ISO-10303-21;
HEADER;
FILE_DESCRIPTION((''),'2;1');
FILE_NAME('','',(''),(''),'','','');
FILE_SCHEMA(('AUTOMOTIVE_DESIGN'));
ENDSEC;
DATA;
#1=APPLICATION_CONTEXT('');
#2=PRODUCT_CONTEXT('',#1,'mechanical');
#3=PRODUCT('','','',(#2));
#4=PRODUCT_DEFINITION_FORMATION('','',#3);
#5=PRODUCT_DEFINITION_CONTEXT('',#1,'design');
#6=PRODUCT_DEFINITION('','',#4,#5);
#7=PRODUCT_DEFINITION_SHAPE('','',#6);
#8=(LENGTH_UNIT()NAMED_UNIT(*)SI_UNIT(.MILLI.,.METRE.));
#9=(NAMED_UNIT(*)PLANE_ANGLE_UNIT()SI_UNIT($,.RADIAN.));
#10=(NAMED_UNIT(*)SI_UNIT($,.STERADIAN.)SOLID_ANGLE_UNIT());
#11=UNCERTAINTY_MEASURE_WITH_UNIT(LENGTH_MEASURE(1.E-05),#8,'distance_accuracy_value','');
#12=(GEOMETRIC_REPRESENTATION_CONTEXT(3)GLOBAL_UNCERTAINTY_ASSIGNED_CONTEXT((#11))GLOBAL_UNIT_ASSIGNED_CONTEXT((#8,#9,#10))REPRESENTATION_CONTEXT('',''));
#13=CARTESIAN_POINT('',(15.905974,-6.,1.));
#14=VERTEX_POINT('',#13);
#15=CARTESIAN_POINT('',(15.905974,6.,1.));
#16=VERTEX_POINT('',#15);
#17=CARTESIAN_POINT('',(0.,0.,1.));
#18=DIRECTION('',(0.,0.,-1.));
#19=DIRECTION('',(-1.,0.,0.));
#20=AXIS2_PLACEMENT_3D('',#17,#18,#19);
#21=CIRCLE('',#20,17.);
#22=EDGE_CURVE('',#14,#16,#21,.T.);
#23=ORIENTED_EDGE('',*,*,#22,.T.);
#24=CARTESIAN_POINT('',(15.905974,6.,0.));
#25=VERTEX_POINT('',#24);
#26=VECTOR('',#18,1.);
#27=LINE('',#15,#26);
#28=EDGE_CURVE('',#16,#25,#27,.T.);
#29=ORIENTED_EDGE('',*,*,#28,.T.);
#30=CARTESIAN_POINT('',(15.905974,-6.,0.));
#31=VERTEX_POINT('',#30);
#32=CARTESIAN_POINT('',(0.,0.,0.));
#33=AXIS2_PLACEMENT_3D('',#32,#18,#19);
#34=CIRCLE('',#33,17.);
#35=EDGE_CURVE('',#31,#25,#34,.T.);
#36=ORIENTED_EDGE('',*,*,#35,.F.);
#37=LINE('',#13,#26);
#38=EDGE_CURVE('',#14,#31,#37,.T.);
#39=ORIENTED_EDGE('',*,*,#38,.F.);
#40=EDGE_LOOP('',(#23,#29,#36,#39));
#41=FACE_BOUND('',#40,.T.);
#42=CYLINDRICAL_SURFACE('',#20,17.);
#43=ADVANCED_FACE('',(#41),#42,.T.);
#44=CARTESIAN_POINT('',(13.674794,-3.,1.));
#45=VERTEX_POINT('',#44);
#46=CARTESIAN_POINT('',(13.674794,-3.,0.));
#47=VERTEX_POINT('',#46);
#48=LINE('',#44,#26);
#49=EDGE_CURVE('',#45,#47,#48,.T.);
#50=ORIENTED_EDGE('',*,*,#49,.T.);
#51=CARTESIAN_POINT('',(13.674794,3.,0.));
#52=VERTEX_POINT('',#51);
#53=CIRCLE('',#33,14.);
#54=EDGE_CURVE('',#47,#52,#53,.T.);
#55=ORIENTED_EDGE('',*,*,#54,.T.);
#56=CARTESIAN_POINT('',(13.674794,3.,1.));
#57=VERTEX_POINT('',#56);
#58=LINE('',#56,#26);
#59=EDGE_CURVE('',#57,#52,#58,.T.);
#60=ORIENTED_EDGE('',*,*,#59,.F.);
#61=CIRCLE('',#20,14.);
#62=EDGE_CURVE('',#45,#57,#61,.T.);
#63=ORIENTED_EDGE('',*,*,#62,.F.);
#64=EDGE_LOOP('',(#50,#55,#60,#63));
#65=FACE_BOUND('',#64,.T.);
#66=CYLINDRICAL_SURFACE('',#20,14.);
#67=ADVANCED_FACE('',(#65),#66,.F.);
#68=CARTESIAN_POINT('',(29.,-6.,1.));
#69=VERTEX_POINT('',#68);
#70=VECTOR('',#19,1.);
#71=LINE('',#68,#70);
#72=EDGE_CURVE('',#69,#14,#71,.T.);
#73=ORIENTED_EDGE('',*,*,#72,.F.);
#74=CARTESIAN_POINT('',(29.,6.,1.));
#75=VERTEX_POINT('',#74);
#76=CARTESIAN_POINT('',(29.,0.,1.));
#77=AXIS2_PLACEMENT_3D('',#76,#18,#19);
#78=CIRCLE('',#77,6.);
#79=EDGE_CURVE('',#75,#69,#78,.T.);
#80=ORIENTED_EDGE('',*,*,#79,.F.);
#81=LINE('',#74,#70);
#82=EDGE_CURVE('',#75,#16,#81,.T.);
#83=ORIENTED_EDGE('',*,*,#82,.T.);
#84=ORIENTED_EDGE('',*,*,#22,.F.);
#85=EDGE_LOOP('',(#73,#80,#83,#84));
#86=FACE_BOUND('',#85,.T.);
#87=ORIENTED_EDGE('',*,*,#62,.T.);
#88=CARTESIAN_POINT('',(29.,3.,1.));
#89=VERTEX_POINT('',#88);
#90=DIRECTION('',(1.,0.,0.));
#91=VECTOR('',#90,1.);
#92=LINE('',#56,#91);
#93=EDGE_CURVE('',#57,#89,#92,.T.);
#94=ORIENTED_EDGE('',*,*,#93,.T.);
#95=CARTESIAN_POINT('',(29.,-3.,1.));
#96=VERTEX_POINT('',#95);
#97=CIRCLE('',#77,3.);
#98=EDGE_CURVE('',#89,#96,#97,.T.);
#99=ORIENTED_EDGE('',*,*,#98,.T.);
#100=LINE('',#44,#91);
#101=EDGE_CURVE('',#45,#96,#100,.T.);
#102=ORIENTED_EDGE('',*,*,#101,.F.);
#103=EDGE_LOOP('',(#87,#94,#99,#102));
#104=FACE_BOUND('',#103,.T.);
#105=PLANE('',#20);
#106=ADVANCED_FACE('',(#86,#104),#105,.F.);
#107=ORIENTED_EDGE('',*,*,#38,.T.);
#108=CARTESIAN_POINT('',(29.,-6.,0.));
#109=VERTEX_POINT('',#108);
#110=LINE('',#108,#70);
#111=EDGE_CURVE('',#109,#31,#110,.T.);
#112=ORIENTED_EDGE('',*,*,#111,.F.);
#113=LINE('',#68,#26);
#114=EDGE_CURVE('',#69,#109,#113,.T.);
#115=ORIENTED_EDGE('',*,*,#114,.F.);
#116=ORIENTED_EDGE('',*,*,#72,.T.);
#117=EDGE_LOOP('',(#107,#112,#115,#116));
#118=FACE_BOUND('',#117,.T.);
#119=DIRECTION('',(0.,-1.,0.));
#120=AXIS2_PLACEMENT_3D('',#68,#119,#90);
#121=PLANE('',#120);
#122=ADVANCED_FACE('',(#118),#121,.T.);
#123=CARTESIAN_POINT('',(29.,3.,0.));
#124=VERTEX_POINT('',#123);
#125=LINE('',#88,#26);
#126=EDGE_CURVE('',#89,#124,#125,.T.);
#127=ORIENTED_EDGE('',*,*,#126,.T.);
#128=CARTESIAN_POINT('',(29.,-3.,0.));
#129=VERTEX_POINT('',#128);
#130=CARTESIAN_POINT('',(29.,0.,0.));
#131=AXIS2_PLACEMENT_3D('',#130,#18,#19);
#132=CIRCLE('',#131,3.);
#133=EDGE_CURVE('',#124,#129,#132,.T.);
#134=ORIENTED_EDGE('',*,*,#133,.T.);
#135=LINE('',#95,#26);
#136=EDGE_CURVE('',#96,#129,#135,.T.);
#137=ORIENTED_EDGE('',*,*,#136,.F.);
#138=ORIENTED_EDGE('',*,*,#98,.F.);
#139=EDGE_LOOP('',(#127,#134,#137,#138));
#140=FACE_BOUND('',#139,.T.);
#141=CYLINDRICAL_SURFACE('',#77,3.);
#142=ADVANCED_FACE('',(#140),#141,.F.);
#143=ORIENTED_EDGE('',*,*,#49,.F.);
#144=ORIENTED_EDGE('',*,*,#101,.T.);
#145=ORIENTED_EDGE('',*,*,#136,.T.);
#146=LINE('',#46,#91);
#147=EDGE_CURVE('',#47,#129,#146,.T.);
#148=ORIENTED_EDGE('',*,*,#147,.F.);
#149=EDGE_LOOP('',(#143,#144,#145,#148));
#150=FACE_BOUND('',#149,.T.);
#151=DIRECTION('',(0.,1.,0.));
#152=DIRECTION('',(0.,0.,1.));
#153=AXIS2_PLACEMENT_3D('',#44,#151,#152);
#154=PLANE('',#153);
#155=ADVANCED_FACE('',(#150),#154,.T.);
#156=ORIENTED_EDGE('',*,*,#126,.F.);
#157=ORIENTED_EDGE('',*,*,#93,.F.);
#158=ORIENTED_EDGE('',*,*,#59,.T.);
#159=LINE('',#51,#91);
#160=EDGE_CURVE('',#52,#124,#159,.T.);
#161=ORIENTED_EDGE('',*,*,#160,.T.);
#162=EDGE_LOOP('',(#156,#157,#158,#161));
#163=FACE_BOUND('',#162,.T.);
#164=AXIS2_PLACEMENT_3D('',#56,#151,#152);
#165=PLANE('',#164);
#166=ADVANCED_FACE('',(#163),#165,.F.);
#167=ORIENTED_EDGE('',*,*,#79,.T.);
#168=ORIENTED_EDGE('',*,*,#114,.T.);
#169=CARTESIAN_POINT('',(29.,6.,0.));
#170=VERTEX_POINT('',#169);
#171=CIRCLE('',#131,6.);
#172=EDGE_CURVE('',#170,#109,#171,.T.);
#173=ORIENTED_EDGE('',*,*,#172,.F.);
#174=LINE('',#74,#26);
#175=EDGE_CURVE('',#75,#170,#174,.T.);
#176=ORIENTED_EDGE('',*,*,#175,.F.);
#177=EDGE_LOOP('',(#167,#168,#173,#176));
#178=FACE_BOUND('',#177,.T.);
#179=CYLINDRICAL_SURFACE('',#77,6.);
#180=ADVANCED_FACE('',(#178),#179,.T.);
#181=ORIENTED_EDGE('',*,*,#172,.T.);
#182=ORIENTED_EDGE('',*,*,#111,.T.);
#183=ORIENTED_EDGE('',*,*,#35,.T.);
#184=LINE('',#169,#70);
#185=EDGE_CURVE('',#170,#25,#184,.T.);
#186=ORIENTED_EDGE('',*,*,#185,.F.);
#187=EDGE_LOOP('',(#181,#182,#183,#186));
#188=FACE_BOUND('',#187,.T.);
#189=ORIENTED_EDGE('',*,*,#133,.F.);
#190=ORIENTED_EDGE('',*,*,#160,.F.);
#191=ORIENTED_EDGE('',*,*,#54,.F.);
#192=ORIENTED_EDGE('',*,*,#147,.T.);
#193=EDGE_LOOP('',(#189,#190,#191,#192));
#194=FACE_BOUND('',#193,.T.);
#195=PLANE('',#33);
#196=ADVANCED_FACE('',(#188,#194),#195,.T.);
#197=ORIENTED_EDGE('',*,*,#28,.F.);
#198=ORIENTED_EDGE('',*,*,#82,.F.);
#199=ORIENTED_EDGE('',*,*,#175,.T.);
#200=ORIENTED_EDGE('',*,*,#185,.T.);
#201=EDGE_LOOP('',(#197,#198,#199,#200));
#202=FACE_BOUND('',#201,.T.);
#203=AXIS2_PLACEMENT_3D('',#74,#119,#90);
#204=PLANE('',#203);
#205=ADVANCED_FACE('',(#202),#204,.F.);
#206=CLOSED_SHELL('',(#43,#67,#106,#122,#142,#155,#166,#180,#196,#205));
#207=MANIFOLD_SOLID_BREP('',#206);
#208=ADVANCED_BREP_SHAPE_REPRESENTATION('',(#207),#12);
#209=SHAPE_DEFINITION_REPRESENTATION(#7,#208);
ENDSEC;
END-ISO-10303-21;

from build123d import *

# Parameters (mm, degrees)
BOSS_EXTRUDE1_DEPTH = 1


with BuildPart() as part:
    # Sketch1 → Boss-Extrude1 (new body)
    with BuildSketch(Plane.XY):
        with BuildLine():
            Line((29, 6), (15.905973721, 6))
            ThreePointArc((15.905973721, 6), (-17, 0), (15.905973721, -6))
            Line((15.905973721, -6), (29, -6))
            ThreePointArc((29, -6), (35, 0), (29, 6))
        make_face()
        with BuildLine():
            Line((13.674794331, 3), (29, 3))
            ThreePointArc((29, 3), (32, 0), (29, -3))
            Line((29, -3), (13.674794331, -3))
            ThreePointArc((13.674794331, -3), (-14, 0), (13.674794331, 3))
        make_face(mode=Mode.SUBTRACT)
    extrude(amount=BOSS_EXTRUDE1_DEPTH)


solid = part.part
